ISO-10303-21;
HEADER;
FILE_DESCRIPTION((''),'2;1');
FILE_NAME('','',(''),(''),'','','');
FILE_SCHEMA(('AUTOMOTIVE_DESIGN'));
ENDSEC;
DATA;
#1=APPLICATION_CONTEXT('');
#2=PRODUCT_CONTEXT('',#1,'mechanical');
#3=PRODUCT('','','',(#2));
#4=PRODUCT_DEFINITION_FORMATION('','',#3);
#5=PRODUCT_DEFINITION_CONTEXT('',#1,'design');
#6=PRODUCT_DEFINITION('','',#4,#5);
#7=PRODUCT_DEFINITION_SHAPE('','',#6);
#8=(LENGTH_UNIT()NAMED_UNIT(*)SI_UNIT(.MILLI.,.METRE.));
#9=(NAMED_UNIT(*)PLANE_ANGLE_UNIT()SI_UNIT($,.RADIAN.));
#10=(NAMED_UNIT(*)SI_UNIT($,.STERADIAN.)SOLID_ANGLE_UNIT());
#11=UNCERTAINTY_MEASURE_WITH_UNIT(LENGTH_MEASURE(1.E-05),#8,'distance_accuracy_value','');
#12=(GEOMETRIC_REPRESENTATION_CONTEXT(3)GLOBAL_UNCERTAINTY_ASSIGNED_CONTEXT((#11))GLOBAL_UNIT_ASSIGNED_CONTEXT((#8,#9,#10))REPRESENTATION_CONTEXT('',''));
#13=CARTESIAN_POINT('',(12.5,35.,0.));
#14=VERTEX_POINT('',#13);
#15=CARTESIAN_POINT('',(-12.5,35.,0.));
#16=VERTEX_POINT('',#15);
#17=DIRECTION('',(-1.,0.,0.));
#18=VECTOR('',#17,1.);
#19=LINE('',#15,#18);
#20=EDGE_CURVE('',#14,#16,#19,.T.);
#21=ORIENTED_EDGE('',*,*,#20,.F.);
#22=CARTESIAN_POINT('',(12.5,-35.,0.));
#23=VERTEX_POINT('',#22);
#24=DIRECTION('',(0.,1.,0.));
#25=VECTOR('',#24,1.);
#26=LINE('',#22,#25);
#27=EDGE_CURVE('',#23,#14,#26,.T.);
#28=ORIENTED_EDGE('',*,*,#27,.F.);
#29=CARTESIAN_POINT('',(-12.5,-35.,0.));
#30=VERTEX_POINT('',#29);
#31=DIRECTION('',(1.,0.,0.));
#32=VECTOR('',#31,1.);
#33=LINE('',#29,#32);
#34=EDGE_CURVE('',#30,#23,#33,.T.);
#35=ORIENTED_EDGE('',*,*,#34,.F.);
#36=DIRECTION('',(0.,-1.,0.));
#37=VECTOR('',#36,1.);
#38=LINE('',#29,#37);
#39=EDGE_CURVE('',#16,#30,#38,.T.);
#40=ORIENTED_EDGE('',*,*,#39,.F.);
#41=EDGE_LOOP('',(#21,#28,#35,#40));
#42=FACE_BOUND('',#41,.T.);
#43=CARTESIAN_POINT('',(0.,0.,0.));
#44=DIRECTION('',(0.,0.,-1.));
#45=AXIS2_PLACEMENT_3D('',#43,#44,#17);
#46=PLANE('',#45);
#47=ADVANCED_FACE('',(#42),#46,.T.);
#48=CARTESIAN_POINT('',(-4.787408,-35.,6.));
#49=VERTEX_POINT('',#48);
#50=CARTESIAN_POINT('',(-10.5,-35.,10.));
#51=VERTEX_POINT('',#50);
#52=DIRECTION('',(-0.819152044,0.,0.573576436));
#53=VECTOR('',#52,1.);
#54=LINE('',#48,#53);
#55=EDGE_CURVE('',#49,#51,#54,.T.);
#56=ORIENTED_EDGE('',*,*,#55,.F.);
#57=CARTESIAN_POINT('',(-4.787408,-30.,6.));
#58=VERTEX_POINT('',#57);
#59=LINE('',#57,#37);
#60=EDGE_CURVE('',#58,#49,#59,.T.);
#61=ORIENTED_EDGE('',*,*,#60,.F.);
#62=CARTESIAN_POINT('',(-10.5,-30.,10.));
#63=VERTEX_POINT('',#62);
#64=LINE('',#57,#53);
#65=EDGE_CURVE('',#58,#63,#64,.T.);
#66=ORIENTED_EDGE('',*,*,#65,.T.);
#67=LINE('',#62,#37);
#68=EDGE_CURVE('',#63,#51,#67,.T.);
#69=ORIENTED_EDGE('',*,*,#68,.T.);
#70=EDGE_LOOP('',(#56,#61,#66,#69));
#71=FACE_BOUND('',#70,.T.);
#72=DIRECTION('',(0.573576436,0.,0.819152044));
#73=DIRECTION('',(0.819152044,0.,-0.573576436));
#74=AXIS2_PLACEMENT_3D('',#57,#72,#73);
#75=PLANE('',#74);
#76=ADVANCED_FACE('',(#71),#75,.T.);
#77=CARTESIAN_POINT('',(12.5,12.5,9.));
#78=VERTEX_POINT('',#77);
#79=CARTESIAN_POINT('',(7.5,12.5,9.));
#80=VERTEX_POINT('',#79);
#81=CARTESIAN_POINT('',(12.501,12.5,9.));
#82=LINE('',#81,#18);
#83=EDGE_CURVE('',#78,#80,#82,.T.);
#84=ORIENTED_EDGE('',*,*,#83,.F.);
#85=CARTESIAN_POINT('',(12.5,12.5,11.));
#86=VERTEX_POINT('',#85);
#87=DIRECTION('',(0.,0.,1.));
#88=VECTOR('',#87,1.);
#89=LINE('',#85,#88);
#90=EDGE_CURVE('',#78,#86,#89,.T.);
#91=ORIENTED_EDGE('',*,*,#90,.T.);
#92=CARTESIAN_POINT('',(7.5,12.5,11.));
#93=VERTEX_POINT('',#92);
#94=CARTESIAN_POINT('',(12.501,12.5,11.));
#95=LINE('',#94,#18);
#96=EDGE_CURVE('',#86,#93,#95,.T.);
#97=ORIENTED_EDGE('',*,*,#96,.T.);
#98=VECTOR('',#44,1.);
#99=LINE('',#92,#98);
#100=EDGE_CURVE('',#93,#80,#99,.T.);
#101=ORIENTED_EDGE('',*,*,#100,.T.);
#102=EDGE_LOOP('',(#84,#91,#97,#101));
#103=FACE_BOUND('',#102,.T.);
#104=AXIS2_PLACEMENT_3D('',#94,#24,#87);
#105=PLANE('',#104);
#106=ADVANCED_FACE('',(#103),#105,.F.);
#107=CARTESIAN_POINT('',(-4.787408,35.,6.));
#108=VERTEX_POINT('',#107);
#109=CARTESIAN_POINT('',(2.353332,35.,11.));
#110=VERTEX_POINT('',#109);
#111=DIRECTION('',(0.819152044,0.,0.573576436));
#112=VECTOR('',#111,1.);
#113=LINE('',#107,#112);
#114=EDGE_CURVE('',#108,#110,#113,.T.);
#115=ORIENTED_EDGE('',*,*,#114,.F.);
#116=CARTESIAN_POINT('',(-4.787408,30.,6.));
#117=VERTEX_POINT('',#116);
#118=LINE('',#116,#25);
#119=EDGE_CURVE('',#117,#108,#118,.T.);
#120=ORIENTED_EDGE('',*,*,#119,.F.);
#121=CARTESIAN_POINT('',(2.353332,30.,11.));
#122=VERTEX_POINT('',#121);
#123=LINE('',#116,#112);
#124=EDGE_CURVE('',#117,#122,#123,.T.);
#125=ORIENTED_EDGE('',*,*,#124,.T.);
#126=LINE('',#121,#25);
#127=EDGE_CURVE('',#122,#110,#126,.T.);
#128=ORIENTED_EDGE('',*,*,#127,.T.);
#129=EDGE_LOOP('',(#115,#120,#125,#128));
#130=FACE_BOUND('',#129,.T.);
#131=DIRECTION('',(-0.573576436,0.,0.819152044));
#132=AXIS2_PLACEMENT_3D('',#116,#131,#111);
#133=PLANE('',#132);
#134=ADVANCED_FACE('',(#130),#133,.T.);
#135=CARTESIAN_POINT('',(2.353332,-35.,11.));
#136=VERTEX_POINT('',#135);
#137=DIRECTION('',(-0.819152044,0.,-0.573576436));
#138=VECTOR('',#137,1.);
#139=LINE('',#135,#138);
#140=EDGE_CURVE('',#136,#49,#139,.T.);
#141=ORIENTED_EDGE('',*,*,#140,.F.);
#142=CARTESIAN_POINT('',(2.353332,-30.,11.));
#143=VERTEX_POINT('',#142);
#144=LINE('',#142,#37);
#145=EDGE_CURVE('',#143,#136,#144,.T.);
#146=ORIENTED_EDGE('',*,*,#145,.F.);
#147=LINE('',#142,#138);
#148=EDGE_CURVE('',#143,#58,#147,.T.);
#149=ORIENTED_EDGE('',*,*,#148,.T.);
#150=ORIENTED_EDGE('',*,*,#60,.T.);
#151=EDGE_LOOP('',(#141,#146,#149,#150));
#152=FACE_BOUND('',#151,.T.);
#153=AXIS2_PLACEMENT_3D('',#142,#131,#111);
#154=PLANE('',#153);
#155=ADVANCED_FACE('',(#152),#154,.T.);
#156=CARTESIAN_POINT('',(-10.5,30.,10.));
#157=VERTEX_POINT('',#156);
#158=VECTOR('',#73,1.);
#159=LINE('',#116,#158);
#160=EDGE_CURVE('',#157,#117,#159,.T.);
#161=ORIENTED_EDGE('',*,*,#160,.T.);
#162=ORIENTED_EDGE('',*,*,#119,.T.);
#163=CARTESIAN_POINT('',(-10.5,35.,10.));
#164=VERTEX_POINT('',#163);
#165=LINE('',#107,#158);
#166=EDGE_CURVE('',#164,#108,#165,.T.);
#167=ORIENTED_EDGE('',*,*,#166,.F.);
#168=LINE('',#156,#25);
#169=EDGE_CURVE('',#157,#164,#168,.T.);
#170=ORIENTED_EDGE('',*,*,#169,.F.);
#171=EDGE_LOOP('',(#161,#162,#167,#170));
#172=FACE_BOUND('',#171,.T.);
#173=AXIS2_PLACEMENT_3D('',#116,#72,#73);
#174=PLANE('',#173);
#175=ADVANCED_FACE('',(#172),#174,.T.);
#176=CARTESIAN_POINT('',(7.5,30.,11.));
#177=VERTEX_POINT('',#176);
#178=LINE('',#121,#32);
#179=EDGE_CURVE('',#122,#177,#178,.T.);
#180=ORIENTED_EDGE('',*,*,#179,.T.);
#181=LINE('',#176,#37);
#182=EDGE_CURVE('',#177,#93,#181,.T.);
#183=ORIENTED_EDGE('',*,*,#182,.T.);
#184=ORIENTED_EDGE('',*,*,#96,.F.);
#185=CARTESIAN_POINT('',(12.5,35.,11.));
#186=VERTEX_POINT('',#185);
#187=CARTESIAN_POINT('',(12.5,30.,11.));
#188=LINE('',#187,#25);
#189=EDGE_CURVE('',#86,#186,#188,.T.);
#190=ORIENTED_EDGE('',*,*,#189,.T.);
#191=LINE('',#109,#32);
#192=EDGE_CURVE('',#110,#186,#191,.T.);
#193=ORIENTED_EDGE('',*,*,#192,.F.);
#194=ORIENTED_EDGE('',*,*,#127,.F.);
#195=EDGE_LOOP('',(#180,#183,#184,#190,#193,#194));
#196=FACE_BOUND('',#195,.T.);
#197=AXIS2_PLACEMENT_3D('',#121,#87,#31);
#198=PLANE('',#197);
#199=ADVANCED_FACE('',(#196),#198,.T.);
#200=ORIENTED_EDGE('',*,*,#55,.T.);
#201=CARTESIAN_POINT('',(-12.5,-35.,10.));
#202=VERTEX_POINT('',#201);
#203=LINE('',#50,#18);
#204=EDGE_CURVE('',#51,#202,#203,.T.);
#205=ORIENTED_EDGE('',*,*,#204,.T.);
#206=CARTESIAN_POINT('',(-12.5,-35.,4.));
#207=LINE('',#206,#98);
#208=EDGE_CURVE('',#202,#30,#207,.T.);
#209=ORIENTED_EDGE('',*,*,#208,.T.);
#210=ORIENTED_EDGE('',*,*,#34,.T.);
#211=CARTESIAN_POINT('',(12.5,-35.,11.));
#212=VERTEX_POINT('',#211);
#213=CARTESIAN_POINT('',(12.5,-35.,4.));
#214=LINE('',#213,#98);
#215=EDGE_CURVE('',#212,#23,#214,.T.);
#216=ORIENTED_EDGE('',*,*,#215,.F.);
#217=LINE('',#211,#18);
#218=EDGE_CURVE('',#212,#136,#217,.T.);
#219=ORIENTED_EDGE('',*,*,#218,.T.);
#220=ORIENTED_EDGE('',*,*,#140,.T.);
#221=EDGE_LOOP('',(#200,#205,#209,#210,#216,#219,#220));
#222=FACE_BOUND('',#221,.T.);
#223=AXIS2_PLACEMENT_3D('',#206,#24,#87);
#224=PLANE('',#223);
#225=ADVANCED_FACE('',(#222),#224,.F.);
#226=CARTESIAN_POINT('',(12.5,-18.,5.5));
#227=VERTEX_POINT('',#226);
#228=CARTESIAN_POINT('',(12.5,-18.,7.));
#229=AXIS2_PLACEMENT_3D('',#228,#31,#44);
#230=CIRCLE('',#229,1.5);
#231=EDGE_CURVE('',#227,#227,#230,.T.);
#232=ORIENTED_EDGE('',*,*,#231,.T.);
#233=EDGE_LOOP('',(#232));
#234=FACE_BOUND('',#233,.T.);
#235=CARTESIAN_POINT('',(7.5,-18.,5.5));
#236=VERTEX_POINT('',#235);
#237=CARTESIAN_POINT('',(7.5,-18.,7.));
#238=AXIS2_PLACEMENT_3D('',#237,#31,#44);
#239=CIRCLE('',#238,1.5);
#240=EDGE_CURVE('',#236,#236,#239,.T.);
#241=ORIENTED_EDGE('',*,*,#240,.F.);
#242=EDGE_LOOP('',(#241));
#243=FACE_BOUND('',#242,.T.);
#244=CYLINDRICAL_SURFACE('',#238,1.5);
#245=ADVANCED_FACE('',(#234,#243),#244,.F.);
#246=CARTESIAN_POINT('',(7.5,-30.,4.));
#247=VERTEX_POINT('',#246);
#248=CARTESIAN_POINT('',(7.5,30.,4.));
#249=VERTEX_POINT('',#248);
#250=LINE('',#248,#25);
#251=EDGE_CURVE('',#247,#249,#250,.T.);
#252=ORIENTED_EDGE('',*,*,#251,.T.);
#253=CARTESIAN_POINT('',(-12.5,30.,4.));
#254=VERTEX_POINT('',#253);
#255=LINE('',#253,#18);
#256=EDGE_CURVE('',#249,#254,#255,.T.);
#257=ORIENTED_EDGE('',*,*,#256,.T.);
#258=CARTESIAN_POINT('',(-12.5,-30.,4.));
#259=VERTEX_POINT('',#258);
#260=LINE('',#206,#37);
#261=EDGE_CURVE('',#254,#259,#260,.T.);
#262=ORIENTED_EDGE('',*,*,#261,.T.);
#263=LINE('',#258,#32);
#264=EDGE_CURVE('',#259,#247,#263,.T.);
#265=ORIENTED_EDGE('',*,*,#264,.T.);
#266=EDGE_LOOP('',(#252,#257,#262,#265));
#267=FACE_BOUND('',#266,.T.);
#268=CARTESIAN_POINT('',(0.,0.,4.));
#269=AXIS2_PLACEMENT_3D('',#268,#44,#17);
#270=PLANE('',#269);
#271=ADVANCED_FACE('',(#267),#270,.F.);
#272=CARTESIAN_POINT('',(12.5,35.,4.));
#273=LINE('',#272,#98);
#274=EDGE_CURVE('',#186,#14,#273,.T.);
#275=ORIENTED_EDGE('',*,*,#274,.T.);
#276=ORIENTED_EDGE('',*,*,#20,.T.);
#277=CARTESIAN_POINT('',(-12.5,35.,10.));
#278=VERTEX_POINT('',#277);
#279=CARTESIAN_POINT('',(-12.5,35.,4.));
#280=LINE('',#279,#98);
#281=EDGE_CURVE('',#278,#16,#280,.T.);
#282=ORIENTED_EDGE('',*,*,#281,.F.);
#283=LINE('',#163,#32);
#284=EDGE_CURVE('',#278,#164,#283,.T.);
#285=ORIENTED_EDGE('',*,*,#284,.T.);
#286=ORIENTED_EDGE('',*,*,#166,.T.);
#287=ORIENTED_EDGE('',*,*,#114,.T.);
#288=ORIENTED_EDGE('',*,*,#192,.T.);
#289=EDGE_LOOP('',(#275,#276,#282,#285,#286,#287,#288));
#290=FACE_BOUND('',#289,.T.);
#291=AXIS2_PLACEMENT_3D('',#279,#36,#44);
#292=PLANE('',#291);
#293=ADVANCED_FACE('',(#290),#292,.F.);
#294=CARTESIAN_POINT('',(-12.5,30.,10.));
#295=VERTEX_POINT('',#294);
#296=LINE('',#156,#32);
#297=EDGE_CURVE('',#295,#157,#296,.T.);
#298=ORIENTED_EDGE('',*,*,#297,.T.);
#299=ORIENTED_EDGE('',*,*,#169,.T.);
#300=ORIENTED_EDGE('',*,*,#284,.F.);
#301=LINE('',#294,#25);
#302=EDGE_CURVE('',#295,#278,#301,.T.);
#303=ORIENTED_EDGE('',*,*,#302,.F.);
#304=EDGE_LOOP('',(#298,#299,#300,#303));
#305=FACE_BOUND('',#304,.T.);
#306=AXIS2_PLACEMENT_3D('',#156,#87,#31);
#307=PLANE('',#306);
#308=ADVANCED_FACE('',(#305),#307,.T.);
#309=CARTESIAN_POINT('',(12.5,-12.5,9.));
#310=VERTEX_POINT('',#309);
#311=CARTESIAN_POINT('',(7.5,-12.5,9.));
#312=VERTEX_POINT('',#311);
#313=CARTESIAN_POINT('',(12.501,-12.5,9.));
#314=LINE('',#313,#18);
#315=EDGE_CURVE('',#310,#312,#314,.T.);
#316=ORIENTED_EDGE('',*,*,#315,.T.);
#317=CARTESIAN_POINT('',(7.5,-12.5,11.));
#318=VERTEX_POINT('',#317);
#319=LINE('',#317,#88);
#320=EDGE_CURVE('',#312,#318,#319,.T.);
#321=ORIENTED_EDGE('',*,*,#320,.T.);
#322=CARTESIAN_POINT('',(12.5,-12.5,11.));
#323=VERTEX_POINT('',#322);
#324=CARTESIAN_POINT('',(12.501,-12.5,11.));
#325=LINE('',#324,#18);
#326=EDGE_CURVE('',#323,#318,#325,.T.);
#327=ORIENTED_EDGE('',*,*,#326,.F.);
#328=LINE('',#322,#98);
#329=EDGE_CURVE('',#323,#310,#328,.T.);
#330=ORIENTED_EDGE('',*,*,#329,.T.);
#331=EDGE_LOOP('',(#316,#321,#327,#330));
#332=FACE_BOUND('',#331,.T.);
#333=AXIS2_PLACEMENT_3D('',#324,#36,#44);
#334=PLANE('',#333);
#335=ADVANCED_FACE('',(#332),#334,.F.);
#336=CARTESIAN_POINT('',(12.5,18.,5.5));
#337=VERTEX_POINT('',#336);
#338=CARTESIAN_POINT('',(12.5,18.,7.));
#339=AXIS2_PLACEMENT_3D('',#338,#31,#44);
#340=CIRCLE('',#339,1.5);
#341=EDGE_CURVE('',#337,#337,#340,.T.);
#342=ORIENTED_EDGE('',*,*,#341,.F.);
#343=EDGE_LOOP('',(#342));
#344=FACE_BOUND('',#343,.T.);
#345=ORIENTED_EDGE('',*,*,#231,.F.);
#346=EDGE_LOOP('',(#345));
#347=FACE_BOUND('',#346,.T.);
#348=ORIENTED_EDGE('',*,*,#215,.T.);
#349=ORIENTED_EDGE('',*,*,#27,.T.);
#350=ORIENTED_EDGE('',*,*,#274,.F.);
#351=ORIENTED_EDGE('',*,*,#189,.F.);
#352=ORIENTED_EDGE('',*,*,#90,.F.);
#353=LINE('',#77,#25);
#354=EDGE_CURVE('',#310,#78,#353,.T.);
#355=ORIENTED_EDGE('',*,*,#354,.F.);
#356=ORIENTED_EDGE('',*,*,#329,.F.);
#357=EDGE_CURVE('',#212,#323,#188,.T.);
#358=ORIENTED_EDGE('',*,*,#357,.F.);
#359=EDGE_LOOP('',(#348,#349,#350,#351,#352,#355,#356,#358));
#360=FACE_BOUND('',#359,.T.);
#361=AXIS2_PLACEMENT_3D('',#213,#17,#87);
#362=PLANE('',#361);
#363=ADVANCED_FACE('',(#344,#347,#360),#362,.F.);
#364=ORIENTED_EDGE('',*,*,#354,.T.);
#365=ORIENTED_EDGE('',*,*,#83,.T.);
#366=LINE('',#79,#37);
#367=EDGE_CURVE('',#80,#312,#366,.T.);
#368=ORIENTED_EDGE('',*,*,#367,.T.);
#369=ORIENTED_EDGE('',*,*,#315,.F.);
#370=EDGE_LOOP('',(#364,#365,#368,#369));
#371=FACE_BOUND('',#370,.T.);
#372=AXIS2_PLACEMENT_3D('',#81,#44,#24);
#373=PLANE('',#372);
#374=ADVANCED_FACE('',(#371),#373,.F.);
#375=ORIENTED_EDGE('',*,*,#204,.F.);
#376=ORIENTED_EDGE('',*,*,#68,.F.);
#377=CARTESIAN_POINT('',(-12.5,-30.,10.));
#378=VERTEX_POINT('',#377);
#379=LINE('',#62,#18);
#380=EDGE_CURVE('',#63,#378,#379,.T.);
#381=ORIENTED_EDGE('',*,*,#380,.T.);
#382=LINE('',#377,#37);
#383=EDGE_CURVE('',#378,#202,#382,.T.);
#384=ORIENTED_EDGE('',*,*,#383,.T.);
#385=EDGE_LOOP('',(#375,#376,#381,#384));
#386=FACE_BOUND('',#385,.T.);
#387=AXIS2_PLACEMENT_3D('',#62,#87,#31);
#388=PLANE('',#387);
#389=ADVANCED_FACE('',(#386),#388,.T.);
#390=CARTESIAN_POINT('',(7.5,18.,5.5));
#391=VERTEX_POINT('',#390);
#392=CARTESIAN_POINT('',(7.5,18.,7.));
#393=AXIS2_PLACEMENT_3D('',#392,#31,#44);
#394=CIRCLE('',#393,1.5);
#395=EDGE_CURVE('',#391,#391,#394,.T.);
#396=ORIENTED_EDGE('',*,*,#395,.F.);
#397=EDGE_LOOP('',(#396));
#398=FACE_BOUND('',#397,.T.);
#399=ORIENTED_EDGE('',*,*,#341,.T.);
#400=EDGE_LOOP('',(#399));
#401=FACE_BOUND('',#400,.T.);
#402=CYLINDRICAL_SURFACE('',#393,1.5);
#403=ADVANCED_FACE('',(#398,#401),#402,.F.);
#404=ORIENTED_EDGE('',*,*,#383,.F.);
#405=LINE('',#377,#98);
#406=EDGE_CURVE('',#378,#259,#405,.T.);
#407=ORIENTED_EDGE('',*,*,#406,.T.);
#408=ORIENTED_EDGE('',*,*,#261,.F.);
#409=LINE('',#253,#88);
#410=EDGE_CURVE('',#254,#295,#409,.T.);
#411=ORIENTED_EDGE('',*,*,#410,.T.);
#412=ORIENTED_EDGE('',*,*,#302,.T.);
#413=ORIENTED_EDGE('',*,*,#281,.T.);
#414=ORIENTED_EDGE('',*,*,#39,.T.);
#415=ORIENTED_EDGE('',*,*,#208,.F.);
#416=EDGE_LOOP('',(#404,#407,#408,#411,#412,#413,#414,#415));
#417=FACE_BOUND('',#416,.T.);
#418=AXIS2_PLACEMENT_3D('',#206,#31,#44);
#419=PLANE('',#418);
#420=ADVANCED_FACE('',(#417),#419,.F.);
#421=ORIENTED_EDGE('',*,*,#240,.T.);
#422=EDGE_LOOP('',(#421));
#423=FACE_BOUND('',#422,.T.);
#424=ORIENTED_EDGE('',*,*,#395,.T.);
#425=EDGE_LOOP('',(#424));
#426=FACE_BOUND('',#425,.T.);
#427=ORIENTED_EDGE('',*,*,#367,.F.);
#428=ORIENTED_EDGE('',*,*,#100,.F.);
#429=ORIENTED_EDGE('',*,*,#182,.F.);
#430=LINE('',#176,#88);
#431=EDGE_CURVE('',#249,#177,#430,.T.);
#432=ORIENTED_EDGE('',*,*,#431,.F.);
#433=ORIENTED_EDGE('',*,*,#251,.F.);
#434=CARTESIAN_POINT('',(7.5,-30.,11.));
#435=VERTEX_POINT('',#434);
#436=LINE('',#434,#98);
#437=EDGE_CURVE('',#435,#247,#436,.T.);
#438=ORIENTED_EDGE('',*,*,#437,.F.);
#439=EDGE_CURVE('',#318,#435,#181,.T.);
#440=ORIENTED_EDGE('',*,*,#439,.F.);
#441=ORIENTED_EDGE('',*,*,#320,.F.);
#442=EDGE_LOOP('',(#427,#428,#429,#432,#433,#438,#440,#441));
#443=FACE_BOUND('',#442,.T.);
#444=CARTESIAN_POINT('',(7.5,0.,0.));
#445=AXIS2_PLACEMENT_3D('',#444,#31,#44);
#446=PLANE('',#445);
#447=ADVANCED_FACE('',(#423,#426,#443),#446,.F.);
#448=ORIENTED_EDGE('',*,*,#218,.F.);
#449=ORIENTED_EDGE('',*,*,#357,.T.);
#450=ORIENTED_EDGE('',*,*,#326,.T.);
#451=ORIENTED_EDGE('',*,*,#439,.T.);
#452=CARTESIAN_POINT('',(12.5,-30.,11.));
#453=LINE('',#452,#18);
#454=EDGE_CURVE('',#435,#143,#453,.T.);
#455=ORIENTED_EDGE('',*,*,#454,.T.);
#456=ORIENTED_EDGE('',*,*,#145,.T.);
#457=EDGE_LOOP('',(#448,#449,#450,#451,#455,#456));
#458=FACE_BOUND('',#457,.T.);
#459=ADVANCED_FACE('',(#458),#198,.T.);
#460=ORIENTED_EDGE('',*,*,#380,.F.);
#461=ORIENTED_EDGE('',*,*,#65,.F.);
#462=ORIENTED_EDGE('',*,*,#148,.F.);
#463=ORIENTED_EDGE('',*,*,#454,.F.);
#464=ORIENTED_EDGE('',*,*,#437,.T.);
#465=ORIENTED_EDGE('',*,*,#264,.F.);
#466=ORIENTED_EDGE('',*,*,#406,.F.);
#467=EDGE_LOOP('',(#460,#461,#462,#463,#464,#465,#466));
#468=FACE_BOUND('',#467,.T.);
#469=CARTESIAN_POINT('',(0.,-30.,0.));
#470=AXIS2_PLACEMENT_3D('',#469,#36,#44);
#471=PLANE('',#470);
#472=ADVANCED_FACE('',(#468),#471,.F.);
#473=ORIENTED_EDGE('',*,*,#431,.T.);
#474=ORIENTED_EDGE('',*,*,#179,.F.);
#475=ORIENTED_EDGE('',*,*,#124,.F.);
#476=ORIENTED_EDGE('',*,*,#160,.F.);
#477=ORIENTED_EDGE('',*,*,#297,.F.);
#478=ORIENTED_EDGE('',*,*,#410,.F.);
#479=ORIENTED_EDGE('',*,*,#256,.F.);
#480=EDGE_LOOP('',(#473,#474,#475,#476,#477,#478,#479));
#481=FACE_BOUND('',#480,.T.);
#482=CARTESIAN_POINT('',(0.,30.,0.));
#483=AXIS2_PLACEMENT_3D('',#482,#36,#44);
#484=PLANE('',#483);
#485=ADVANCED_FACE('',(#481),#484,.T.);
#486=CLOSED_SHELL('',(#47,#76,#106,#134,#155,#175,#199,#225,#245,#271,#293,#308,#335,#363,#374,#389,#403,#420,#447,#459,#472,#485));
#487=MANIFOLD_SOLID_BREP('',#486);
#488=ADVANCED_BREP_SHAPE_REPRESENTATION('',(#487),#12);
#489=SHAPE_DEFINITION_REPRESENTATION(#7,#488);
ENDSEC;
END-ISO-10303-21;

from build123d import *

# Parameters (mm, degrees)
SKETCH1_W           = 25
SKETCH1_H           = 70
BOSS_EXTRUDE1_DEPTH = 4
BOSS_EXTRUDE2_DEPTH = 5
BOSS_EXTRUDE3_DEPTH = 5
SKETCH5_W           = 7
SKETCH5_H           = 60
SKETCH5_R           = 1.5
BOSS_EXTRUDE4_DEPTH = 5
CUT_EXTRUDE1_REACH  = 43.785
SKETCH6_W           = 2
SKETCH6_H           = 25


with BuildPart() as part:
    # Sketch1 → Boss-Extrude1 (new body)
    with BuildSketch(Plane.XY):
        Rectangle(SKETCH1_W, SKETCH1_H)
    extrude(amount=BOSS_EXTRUDE1_DEPTH)

    # Sketch2 → Boss-Extrude2 (add)
    with BuildSketch(Plane(origin=(0, 35, 0), x_dir=(1, 0, 0), z_dir=(0, 1, 0))):
        Polygon((-4.787407973, -6), (-10.5, -10), (-12.5, -10), (-12.5, -4), (12.5, -4), (12.5, -11), (2.353332061, -11), align=None)
    extrude(amount=-BOSS_EXTRUDE2_DEPTH)

    # Sketch3 → Boss-Extrude3 (add)
    with BuildSketch(Plane.XZ.offset(35)):
        Polygon((2.353332061, 11), (-4.787407973, 6), (-10.5, 10), (-12.5, 10), (-12.5, 4), (12.5, 4), (12.5, 11), align=None)
    extrude(amount=-BOSS_EXTRUDE3_DEPTH)

    # Sketch5 → Boss-Extrude4 (add)
    with BuildSketch(Plane(origin=(12.5, 0, 0), x_dir=(0, 0, -1), z_dir=(1, 0, 0))):
        with Locations((-7.5, 0)):
            Rectangle(SKETCH5_W, SKETCH5_H)
        with Locations((-7, 18)):
            Circle(SKETCH5_R, mode=Mode.SUBTRACT)
        with Locations((-7, -18)):
            Circle(SKETCH5_R, mode=Mode.SUBTRACT)
    extrude(amount=-BOSS_EXTRUDE4_DEPTH)

    # Sketch6 → Cut-Extrude1 (cut, up to next)
    with BuildSketch(Plane.ZY.offset(-7.5), mode=Mode.PRIVATE) as cut_extrude1_sk1:
        with Locations((10, 0)):
            Rectangle(SKETCH6_W, SKETCH6_H)
    cut_extrude1_tool1 = extrude(cut_extrude1_sk1.sketch, amount=-CUT_EXTRUDE1_REACH, mode=Mode.PRIVATE) & part.part
    add(cut_extrude1_tool1.solids().sort_by_distance((7.5, 0, 10))[0], mode=Mode.SUBTRACT)


solid = part.part
